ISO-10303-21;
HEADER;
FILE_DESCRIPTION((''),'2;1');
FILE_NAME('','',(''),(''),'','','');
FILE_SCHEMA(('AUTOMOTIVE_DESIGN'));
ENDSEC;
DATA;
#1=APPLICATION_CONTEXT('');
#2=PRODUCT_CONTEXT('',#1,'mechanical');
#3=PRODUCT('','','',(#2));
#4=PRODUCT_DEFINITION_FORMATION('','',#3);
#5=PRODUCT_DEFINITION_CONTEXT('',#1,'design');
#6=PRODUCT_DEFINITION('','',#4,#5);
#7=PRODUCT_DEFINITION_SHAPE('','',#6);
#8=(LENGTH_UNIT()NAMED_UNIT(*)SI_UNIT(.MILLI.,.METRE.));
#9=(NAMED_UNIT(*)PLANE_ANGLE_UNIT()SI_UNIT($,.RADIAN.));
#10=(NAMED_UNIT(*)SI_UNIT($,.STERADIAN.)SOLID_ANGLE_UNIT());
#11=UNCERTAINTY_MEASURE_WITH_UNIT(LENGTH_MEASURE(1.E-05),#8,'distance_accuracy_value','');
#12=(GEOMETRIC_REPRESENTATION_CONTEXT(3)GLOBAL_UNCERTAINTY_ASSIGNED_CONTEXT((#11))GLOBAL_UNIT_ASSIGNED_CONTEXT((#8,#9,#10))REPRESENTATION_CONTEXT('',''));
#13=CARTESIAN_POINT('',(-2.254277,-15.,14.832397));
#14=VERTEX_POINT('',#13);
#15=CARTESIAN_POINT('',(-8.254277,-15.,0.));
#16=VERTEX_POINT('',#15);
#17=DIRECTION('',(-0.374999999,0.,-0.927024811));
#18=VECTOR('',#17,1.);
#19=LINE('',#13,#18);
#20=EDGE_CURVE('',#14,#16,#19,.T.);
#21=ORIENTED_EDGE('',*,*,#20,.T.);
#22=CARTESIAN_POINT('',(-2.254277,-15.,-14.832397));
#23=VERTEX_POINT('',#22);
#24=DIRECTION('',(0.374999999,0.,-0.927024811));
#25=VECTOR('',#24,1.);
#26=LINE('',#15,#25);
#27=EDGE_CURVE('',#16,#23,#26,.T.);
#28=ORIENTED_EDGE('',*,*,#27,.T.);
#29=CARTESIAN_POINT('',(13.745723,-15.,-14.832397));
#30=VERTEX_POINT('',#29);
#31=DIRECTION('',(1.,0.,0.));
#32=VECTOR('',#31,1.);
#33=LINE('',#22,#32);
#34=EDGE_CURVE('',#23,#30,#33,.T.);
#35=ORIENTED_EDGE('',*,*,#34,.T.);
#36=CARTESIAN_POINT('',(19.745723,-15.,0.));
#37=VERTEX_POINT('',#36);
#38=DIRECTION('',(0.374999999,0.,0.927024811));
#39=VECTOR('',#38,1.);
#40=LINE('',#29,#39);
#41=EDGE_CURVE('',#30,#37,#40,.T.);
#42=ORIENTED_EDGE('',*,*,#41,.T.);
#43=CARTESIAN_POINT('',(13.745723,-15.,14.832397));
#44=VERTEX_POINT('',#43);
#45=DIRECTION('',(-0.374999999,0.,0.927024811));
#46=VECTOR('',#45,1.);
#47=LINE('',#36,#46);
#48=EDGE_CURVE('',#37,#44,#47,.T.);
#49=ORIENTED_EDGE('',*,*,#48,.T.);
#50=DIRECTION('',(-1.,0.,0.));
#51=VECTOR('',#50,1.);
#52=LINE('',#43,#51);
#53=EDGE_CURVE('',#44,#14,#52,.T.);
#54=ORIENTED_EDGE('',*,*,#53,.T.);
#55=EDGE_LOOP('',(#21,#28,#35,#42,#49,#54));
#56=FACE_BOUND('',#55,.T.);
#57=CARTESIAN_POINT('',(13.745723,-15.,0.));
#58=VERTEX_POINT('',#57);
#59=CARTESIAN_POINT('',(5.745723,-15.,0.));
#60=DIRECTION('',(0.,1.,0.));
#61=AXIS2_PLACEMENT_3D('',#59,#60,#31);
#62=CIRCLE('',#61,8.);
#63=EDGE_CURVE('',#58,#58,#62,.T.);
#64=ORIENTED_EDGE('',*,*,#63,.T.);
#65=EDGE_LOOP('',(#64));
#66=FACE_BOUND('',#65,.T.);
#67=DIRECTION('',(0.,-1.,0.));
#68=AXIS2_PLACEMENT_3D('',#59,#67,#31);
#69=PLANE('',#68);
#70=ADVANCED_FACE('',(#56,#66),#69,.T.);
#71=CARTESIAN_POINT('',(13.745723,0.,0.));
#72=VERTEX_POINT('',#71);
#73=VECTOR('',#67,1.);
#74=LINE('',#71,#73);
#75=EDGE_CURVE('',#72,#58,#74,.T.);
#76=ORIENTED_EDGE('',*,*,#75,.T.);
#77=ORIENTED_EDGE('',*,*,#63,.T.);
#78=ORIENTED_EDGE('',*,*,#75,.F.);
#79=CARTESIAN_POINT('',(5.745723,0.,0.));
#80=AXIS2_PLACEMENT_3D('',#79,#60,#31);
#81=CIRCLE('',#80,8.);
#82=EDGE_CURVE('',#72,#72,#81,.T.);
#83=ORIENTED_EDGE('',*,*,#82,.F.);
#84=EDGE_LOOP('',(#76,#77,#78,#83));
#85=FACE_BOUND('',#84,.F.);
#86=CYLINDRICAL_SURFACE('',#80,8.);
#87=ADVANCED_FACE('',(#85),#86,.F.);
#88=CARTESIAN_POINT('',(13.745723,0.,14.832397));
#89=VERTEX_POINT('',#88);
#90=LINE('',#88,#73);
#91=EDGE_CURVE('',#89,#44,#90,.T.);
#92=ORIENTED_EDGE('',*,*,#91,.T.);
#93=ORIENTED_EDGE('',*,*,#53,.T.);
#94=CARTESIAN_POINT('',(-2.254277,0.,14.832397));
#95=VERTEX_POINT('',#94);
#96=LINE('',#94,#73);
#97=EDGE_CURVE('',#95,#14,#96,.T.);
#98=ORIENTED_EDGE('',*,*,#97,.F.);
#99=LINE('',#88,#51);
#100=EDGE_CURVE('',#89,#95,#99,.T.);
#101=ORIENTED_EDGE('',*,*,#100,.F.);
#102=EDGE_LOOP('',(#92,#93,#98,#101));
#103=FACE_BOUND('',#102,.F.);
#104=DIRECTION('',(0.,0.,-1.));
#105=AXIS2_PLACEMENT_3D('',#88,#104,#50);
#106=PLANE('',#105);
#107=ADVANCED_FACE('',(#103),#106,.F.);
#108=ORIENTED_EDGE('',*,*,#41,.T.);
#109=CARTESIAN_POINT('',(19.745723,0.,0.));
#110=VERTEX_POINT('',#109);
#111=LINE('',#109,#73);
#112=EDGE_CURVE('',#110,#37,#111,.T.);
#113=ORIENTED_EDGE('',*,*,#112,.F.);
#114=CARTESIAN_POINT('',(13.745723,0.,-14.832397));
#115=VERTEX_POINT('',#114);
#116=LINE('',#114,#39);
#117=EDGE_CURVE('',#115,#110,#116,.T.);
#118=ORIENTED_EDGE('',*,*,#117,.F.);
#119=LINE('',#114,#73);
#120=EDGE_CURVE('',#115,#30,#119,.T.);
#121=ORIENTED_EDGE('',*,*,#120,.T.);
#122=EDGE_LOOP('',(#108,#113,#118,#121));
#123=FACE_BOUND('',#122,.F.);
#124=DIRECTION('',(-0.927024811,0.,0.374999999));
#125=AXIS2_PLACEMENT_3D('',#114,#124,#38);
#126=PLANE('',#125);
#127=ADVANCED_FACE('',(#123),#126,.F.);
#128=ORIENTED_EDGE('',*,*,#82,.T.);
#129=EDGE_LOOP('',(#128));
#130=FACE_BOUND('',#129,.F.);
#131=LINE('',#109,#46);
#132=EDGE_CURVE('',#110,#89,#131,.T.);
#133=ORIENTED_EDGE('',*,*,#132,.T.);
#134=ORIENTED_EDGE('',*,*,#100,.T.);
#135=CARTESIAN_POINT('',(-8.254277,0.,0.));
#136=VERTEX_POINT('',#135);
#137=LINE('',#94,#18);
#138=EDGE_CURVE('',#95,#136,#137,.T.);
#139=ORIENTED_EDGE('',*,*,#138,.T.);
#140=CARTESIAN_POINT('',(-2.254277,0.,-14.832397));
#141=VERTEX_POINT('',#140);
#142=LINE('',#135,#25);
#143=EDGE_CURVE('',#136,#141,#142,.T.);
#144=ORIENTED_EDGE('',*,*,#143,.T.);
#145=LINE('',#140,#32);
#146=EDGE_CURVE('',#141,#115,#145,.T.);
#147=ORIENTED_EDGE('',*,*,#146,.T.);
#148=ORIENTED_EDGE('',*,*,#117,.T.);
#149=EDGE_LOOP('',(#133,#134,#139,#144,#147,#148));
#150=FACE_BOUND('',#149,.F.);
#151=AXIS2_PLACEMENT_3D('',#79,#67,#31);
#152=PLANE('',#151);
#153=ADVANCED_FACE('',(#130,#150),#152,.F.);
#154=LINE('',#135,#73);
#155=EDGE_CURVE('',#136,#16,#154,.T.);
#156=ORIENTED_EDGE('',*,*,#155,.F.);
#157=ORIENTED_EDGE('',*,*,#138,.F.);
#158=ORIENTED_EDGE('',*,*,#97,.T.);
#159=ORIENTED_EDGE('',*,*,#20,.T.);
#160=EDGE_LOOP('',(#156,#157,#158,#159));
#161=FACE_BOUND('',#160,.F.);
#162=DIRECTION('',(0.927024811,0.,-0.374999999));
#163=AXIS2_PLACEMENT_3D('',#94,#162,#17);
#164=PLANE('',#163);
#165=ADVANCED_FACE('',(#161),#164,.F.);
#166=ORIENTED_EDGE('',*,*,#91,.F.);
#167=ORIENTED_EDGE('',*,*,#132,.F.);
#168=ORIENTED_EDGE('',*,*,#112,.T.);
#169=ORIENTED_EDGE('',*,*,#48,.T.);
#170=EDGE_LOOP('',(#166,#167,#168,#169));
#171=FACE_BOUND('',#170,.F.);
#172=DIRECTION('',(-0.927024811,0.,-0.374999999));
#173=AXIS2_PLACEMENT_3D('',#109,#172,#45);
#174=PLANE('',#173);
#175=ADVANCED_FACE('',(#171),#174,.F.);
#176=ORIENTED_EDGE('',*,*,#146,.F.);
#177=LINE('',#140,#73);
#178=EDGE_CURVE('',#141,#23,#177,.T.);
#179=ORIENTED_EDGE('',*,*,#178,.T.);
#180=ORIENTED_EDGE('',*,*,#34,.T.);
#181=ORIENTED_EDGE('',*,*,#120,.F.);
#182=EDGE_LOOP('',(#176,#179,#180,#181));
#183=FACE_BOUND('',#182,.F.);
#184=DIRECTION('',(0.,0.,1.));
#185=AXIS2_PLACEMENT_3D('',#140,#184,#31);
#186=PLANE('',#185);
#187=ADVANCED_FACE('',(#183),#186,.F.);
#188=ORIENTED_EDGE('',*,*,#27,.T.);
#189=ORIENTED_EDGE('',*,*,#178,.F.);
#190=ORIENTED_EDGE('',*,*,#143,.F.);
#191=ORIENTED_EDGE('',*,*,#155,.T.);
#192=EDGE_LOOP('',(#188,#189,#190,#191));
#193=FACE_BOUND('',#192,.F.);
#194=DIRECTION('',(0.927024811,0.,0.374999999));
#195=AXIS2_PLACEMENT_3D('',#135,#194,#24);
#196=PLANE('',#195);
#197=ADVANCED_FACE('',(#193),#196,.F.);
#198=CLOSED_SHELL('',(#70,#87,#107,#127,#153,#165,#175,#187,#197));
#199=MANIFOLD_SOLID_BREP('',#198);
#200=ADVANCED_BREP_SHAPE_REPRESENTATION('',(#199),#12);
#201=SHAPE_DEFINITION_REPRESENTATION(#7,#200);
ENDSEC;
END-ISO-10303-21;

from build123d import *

# Parameters (mm, degrees)
F1_DEPTH = 15


with BuildPart() as f1:
    # F0 (on Front) → F1 (new body)
    with BuildSketch(Plane.XZ):
        Polygon((-2.254277, 14.832397), (-8.254277, 0), (-2.254277, -14.832397), (13.745723, -14.832397), (19.745723, 0), (13.745723, 14.832397), align=None)
        with BuildLine():
            ThreePointArc((-2.254277, 0), (5.745723, 8), (13.745723, 0))
            ThreePointArc((13.745723, 0), (5.745723, -8), (-2.254277, 0))
        make_face(mode=Mode.SUBTRACT)
    extrude(amount=F1_DEPTH)


solid = f1.part
